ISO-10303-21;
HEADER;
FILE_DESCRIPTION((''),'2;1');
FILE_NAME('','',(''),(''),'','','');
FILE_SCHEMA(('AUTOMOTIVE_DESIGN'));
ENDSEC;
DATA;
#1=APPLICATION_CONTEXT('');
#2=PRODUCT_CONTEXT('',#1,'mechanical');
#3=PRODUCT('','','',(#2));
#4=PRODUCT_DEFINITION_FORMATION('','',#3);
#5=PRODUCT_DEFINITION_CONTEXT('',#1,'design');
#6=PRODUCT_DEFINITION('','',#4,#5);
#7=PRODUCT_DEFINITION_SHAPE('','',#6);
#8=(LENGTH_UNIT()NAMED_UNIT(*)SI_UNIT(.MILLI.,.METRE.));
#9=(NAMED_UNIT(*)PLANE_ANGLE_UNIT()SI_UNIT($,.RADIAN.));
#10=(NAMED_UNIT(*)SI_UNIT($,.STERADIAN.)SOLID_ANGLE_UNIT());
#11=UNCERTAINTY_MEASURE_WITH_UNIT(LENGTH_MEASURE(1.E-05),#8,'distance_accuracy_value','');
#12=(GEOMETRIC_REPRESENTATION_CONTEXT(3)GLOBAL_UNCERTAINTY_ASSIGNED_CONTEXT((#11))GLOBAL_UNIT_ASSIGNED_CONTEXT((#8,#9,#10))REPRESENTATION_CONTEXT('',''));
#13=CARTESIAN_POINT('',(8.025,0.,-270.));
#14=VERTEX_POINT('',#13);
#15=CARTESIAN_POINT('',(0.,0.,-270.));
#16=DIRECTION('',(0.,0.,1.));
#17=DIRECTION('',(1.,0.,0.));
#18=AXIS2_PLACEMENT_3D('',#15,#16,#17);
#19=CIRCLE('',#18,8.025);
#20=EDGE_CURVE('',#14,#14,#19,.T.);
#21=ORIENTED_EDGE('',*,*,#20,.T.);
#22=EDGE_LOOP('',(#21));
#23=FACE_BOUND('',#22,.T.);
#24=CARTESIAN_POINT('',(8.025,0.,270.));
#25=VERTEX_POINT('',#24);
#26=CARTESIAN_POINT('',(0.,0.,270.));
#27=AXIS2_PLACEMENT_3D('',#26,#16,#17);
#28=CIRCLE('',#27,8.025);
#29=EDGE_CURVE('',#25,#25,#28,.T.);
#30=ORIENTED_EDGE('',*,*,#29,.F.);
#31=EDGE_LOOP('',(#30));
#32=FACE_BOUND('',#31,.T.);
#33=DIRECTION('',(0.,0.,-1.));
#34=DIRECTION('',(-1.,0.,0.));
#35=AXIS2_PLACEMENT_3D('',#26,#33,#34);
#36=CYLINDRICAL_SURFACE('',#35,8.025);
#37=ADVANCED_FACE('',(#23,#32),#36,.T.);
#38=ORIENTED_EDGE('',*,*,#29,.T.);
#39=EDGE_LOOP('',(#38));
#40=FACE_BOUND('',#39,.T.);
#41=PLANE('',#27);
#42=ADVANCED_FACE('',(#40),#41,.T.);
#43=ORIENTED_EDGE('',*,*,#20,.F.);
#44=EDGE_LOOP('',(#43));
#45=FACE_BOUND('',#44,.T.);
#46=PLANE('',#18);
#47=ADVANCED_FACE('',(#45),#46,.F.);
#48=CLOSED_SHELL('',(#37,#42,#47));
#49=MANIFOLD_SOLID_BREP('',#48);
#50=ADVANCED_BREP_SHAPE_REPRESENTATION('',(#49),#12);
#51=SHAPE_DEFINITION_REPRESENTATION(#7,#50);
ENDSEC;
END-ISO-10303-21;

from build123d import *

# Parameters (mm, degrees)
SKETCH1_R           = 8.025
BOSS_EXTRUDE1_DEPTH = 270


with BuildPart() as part:
    # Sketch1 → Boss-Extrude1 (new, symmetric)
    with BuildSketch(Plane.XY):
        Circle(SKETCH1_R)
    extrude(amount=BOSS_EXTRUDE1_DEPTH, both=True)


solid = part.part
